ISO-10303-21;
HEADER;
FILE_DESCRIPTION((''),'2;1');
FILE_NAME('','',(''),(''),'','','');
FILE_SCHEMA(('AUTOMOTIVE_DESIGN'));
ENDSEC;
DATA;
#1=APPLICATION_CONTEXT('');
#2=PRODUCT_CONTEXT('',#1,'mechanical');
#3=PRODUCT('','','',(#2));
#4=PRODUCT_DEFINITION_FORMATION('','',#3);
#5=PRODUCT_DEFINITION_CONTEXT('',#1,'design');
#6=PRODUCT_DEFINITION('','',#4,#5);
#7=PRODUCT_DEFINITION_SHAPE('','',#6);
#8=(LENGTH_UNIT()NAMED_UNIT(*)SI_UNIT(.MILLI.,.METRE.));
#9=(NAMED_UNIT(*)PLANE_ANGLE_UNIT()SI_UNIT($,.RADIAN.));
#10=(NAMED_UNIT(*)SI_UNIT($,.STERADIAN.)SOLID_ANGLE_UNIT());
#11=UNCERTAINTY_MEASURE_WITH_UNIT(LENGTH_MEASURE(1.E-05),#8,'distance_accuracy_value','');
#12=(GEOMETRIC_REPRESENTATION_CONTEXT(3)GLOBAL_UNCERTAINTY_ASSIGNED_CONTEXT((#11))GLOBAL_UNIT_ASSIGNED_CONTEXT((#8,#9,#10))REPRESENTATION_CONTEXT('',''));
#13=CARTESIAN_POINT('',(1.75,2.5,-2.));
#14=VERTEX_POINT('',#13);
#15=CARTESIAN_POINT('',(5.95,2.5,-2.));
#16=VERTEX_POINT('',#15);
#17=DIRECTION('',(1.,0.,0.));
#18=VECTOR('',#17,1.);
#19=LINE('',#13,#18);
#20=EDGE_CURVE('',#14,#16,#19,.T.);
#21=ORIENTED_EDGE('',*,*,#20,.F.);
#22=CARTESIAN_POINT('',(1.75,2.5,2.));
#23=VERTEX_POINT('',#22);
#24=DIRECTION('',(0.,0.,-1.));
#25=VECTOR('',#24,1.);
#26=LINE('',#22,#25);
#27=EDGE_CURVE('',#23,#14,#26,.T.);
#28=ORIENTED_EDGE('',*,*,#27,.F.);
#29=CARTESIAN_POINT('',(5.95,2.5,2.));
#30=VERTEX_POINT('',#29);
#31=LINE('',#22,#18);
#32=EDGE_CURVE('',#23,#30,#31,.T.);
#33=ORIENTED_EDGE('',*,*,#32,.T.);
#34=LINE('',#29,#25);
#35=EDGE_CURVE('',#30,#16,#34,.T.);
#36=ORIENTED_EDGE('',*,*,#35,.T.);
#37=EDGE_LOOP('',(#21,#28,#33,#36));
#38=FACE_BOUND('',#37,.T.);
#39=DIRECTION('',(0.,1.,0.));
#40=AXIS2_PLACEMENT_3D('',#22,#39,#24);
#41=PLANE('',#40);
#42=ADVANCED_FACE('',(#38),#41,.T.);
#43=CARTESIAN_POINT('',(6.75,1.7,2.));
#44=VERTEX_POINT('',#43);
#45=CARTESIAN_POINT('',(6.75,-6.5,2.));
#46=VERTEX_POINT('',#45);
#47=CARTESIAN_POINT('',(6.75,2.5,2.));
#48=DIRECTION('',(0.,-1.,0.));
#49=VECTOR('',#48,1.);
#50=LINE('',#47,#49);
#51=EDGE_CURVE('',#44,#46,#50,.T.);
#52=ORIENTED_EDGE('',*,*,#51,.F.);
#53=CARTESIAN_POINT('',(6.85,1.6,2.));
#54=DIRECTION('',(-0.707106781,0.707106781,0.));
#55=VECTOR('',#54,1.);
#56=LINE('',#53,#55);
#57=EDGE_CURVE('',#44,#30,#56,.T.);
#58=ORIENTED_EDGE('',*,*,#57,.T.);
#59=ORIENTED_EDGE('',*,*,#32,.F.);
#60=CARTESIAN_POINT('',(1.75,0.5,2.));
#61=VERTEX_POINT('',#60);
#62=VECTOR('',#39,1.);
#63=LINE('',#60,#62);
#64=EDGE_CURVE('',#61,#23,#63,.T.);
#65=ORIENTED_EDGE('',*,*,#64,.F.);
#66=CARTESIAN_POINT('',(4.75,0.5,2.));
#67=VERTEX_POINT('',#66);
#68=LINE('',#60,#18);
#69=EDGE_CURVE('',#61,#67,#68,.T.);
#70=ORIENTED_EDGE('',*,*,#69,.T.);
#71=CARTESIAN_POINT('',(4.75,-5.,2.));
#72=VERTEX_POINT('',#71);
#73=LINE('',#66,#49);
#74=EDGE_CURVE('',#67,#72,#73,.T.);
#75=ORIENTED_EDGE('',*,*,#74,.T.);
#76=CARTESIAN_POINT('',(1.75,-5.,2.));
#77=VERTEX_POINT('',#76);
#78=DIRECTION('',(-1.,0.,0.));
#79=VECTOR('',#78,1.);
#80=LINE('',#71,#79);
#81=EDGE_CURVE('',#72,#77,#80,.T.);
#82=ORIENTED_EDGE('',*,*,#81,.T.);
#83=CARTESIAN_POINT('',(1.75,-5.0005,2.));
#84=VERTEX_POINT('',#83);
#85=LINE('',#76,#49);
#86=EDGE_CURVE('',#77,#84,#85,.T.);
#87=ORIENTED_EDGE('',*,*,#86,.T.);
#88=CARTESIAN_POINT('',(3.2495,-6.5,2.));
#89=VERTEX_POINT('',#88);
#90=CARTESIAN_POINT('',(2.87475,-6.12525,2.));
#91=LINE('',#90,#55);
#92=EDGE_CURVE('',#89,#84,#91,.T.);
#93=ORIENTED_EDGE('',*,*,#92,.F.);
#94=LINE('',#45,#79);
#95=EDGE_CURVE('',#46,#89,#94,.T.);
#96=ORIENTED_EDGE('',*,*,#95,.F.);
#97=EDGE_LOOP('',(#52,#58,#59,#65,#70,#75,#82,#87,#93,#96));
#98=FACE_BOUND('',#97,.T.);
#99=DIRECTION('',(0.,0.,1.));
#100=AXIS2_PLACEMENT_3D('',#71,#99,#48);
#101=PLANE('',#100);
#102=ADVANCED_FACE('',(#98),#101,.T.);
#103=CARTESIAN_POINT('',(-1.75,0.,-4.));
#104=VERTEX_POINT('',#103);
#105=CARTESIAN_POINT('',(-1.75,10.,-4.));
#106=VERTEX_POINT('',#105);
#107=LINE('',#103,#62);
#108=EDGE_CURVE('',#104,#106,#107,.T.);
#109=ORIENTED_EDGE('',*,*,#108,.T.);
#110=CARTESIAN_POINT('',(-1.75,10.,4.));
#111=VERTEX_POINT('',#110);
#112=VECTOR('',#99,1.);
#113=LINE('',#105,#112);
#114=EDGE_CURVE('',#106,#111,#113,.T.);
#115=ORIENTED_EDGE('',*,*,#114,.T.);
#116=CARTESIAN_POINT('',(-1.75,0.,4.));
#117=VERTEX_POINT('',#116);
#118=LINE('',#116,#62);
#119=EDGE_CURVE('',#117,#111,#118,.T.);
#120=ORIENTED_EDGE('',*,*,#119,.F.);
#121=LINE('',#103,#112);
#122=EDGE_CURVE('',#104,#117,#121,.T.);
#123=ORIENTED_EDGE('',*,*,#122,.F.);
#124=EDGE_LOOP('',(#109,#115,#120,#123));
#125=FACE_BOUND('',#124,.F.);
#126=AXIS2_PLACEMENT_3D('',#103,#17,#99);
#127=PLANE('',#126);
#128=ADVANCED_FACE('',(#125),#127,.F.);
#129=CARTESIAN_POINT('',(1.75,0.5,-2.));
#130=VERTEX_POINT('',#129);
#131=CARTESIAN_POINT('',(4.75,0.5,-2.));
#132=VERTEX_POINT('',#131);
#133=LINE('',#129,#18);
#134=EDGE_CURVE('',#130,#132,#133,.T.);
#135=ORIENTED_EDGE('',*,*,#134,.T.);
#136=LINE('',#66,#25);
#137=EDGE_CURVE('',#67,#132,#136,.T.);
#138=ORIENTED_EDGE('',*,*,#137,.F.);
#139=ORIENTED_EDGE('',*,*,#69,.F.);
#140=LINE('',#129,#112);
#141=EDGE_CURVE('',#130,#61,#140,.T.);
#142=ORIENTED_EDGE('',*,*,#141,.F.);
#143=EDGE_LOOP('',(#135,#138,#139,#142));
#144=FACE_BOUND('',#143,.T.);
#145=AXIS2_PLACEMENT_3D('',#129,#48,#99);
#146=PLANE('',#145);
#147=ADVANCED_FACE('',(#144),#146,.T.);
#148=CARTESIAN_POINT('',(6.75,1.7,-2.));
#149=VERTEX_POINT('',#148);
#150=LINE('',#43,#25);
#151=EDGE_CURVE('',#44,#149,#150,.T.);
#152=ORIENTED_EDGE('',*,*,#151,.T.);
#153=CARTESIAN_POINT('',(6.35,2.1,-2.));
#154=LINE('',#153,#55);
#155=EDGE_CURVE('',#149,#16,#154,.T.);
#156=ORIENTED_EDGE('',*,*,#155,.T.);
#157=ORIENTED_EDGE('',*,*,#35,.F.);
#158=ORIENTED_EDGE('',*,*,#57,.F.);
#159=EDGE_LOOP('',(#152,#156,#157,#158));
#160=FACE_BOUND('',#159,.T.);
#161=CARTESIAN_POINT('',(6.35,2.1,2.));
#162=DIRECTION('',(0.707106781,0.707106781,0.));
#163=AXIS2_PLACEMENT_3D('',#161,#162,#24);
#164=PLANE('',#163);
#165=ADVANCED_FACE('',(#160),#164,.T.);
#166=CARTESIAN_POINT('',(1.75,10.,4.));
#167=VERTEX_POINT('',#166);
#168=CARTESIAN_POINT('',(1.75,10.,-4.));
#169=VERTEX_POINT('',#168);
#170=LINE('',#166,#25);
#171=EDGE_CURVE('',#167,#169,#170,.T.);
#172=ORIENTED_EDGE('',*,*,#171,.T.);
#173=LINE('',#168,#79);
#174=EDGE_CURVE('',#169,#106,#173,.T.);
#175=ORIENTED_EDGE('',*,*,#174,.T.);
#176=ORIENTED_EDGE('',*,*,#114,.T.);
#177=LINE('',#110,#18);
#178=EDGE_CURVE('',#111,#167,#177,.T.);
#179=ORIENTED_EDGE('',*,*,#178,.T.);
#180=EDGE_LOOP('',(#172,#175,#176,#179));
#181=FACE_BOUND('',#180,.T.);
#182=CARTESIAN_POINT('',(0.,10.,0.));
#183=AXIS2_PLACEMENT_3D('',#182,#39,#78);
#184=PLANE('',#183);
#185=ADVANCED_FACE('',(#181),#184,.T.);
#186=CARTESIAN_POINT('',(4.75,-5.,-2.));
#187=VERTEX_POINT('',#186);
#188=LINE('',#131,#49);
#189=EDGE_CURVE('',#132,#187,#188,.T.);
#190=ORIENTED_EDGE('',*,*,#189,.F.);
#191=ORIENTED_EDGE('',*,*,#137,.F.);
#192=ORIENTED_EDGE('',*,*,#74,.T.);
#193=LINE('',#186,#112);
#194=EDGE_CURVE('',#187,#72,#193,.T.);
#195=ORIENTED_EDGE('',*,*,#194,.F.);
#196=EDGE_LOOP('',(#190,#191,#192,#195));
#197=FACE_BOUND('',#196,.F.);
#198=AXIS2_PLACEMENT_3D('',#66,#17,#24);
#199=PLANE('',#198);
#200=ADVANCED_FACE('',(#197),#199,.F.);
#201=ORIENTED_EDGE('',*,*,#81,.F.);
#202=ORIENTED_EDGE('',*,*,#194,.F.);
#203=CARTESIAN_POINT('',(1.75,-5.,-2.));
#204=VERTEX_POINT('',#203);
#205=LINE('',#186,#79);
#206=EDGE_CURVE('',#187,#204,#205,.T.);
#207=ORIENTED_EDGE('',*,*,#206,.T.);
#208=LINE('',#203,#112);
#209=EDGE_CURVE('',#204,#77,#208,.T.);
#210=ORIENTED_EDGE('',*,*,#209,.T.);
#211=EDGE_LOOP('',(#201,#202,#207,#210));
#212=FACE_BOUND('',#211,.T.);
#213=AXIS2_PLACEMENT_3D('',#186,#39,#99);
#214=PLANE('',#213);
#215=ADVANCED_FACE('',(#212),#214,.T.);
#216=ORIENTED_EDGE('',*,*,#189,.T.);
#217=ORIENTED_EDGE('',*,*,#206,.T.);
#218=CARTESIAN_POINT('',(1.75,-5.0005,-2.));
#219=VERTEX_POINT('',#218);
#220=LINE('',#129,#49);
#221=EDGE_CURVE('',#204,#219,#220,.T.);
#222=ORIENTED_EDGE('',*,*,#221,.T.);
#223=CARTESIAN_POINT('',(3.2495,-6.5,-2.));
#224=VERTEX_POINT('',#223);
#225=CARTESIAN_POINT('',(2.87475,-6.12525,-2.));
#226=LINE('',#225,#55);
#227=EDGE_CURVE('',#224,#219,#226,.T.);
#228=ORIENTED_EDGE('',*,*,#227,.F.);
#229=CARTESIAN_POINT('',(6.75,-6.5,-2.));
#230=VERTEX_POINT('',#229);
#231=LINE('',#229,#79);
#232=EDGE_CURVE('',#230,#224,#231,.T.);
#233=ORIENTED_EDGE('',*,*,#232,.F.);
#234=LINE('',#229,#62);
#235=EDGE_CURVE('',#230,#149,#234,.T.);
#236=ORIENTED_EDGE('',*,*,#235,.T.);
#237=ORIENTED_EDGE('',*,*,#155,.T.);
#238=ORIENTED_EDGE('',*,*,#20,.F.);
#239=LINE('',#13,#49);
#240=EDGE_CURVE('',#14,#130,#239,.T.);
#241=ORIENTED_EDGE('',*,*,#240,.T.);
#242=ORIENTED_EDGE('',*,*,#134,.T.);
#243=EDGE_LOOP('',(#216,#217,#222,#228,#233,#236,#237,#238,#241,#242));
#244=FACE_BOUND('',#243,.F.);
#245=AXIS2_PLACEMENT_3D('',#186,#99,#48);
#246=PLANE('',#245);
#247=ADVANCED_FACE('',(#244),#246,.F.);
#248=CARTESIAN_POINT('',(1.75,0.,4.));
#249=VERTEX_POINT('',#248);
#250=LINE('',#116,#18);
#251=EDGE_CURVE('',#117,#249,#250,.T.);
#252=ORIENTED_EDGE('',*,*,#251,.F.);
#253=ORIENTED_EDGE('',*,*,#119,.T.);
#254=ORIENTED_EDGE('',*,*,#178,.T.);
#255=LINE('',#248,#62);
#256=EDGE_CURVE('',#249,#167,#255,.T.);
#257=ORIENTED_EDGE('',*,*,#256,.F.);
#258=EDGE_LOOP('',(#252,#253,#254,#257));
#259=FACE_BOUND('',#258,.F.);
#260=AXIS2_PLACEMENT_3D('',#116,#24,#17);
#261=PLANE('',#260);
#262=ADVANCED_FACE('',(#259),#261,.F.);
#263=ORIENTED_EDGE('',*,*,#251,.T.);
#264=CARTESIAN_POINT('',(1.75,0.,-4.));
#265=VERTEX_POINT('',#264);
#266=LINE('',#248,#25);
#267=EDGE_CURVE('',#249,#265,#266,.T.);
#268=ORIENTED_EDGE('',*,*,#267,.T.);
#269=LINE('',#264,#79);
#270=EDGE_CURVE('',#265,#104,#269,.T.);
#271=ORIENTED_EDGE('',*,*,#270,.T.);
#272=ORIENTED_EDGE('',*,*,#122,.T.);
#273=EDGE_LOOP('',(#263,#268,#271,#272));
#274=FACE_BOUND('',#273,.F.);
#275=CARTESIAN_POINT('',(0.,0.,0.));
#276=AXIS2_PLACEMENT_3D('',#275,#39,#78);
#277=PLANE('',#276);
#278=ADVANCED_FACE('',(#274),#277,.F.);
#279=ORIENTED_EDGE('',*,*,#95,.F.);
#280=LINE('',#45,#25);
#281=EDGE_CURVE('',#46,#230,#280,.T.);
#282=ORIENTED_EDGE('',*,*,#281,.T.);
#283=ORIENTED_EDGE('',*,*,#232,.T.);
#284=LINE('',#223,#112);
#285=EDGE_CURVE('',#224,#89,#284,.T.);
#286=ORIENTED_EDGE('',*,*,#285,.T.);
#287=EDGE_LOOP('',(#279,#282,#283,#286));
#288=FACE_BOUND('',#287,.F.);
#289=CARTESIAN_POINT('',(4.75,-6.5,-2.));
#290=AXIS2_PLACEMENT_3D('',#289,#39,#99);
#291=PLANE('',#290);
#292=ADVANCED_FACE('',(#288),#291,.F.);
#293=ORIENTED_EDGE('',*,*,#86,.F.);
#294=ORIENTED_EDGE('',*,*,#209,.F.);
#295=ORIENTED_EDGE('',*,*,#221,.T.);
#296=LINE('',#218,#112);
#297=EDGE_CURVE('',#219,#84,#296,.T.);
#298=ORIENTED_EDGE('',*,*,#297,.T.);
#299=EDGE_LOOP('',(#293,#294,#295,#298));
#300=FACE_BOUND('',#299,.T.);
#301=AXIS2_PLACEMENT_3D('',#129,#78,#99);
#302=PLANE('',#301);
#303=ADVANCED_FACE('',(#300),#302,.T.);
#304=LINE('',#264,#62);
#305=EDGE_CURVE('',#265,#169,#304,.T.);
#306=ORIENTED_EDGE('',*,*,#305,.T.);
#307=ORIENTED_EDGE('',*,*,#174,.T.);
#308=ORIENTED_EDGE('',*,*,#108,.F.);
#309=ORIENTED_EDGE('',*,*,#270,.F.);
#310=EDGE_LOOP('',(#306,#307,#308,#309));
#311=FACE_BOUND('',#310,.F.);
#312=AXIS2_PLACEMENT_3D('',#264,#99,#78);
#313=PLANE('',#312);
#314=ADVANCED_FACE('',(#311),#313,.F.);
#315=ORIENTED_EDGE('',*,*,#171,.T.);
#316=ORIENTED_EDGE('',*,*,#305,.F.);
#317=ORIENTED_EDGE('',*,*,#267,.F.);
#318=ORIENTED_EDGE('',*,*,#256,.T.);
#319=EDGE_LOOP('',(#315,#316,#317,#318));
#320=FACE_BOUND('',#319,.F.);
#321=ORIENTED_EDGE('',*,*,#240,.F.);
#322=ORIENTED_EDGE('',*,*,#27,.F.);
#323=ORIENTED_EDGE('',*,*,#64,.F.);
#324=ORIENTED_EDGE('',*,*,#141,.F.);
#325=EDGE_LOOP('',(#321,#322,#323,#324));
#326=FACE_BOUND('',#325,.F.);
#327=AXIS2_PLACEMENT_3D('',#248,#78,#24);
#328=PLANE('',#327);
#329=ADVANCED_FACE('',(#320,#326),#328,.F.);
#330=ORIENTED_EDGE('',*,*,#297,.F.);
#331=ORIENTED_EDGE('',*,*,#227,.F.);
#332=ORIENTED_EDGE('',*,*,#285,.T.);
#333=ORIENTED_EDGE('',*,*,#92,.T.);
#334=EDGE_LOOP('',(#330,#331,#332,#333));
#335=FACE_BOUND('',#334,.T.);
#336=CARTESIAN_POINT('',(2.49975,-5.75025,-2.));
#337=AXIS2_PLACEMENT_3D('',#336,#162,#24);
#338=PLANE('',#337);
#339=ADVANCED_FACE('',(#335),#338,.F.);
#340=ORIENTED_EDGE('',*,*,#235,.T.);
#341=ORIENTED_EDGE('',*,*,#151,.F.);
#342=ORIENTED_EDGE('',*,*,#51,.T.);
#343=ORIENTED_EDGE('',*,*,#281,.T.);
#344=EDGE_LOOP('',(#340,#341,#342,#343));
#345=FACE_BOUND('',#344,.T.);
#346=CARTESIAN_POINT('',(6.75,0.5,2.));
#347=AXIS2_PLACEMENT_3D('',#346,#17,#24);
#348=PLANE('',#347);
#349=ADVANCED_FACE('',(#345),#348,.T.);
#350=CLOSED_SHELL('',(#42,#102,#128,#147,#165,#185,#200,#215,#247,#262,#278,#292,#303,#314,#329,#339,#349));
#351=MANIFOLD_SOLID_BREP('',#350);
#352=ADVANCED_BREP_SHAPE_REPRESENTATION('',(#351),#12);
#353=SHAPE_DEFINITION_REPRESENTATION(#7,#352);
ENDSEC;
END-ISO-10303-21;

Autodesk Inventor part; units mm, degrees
ref_plane "YZ Plane" through (0, 0, 0) normal (1, 0, 0) x (0, 1, 0)
ref_plane "XZ Plane" through (0, 0, 0) normal (0, 1, 0) x (-1, 0, 0)
ref_plane "XY Plane" through (0, 0, 0) normal (0, 0, 1) x (1, 0, 0)
sketch "Sketch1" plane through (0, 0, 0) normal (0, 1, 0) x (-1, 0, 0)
  line L0 (-1.75, -4) -> (1.75, -4)
  line L1 (1.75, -4) -> (1.75, 4)
  line L2 (1.75, 4) -> (-1.75, 4)
  line L3 (-1.75, 4) -> (-1.75, -4)
  line L4 (-1.75, -4) -> (1.75, 4) construction
  line L5 (1.75, -4) -> (-1.75, 4) construction
  point P0 (0, 0)
  dimension "d0" = 3.5
  dimension "d1" = 8
extrude "Extrusion1" add sketch "Sketch1" along normal blind 10
sketch "Sketch2" plane through (1.75, 0, 4) normal (1, 0, 0) x (0, 0, -1)
  line L0 (2, 2.5) -> (6, 2.5)
  line L1 (6, 2.5) -> (6, 0.5)
  line L2 (6, 0.5) -> (2, 0.5)
  line L3 (2, 0.5) -> (2, 2.5)
  line L4 (8, 0) -> (8, 10) projected
  line L5 (0, 0) -> (8, 0) projected
  point P0 (4, 0)
  dimension "d4" = 2
  dimension "d5" = 4
  dimension "d6" = 2
  dimension "d7" = 0.5
extrude "Extrusion2" add sketch "Sketch2" along normal blind 5
sketch "Sketch3" plane through (1.75, 0.5, -2) normal (0, -1, 0) x (1, 0, 0)
  line L0 (5, 4) -> (5, 0) projected
  line L1 (0, 0) -> (5, 0) projected
  line L2 (5, 4) -> (3, 4)
  line L3 (3, 4) -> (3, 0)
  line L4 (3, 0) -> (5, 0)
  line L5 (5, 0) -> (5, 4)
  point P0 (-1.75, 2)
  dimension "d22" = 2
extrude "Extrusion3" add sketch "Sketch3" along normal blind 7
chamfer "Chamfer1" distance 0.8 angle 45 1 edges at (6.75, 2.5, 0)
sketch "Sketch6" plane through (4.75, 0.5, -2) normal (-1, 0, 0) x (0, 0, 1)
  line L0 (0, -7) -> (4, -7) projected
  line L1 (0, 0) -> (0, -7) projected
  line L2 (4, -7) -> (0, -7)
  line L3 (0, -7) -> (0, -5.5)
  line L4 (0, -5.5) -> (4, -5.5)
  line L5 (4, -5.5) -> (4, -7)
  point P0 (2, -0.5)
  dimension "d23" = 1.5
extrude "Extrusion6" add sketch "Sketch6" along normal blind 3
chamfer "Chamfer2" distance 1.5 angle 45 1 edges at (1.75, -6.5, 0)
properties part number "prueba_up"
